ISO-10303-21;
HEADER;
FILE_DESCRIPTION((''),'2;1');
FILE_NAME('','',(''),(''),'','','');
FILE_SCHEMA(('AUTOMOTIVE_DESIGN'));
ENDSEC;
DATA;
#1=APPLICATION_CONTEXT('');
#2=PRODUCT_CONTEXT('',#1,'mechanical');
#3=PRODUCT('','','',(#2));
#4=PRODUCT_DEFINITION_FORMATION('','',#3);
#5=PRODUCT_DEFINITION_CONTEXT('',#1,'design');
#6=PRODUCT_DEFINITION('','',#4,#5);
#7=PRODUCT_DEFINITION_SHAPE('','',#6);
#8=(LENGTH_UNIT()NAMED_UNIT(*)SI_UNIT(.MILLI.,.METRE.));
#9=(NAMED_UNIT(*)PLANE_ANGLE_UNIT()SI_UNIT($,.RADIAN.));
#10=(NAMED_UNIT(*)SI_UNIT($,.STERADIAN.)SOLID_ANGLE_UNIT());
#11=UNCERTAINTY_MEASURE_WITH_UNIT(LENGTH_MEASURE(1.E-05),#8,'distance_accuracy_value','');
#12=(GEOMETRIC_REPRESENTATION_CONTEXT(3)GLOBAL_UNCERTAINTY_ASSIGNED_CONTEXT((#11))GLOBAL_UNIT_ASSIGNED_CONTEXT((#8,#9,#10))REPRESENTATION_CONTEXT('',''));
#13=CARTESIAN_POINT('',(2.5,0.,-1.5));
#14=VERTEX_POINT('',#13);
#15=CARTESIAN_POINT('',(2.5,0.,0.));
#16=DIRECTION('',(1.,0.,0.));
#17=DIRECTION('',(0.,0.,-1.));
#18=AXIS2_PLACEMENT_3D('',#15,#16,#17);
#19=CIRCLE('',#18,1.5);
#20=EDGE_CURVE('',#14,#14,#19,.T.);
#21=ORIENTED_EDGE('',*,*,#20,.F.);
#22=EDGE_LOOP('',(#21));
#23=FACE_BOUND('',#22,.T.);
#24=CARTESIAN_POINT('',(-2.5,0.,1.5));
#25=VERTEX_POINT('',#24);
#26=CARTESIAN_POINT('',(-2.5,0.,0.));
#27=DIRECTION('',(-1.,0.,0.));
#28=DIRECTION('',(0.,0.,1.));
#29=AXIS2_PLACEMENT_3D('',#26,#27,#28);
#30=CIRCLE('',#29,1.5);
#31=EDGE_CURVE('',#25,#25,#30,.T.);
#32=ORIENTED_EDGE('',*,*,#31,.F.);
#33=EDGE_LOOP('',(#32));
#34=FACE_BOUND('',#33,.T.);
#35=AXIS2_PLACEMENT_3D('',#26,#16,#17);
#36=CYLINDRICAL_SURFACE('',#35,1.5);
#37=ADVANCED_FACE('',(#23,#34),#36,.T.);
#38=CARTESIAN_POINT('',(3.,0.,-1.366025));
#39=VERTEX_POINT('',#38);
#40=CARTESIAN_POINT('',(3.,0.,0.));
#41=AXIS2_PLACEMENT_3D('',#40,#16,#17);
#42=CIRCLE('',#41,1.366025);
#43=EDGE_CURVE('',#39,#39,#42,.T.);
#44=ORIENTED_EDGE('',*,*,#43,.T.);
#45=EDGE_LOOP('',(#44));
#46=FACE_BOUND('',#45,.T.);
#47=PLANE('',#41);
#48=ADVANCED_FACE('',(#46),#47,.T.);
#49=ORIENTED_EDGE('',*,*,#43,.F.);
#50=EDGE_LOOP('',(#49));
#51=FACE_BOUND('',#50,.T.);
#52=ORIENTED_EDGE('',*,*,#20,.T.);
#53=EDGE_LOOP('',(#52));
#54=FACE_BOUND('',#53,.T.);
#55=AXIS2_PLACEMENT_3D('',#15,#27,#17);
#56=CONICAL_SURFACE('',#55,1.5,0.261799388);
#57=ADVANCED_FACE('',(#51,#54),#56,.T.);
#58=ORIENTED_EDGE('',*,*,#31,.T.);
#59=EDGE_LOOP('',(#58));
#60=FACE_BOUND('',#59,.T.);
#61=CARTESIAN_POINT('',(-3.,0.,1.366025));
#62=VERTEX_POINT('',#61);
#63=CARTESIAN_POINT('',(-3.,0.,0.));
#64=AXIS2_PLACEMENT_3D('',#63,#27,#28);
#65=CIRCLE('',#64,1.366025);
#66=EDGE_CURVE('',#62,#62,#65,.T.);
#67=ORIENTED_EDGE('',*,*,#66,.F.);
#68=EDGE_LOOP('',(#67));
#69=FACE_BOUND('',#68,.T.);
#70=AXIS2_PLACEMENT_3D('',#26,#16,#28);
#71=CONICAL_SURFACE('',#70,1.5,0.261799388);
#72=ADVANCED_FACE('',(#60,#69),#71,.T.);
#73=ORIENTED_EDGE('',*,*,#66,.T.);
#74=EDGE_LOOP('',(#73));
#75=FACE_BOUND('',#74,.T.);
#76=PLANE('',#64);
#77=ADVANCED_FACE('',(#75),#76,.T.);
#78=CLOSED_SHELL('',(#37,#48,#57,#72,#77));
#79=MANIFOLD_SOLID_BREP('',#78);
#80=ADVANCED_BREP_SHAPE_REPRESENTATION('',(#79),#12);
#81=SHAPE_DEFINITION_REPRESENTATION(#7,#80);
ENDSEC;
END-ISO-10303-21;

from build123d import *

# Parameters (mm, degrees)
EXTRUDE1_DEPTH      = 2.5
EXTRUDE1_DEPTH_BACK = 2.5
SKETCH2_R           = 1.5
SKETCH3_R           = 1.5
EXTRUDE2_DEPTH      = 0.5
EXTRUDE2_TAPER      = 15
SKETCH4_R           = 1.5
EXTRUDE3_DEPTH      = 0.5
EXTRUDE3_TAPER      = 15


with BuildPart() as part:
    # Sketch2 → Extrude1 (new, two sides: drawn at the far end of the back side and taken through both)
    with BuildSketch(Plane(origin=(0, 0, 0), x_dir=(0, 0, -1), z_dir=(1, 0, 0)).offset(-EXTRUDE1_DEPTH_BACK)):
        Circle(SKETCH2_R)
    extrude(amount=EXTRUDE1_DEPTH + EXTRUDE1_DEPTH_BACK)

    # Sketch3 → Extrude2 (add)
    with BuildSketch(Plane(origin=(2.5, 0, 0), x_dir=(0, 0, -1), z_dir=(1, 0, 0))):
        Circle(SKETCH3_R)
    extrude(amount=EXTRUDE2_DEPTH, taper=EXTRUDE2_TAPER)

    # Sketch4 → Extrude3 (add)
    with BuildSketch(Plane.ZY.offset(2.5)):
        with Locations(Location((0, 0, 0), (0, 0, 180))):
            Circle(SKETCH4_R)
    extrude(amount=EXTRUDE3_DEPTH, taper=EXTRUDE3_TAPER)


solid = part.part
